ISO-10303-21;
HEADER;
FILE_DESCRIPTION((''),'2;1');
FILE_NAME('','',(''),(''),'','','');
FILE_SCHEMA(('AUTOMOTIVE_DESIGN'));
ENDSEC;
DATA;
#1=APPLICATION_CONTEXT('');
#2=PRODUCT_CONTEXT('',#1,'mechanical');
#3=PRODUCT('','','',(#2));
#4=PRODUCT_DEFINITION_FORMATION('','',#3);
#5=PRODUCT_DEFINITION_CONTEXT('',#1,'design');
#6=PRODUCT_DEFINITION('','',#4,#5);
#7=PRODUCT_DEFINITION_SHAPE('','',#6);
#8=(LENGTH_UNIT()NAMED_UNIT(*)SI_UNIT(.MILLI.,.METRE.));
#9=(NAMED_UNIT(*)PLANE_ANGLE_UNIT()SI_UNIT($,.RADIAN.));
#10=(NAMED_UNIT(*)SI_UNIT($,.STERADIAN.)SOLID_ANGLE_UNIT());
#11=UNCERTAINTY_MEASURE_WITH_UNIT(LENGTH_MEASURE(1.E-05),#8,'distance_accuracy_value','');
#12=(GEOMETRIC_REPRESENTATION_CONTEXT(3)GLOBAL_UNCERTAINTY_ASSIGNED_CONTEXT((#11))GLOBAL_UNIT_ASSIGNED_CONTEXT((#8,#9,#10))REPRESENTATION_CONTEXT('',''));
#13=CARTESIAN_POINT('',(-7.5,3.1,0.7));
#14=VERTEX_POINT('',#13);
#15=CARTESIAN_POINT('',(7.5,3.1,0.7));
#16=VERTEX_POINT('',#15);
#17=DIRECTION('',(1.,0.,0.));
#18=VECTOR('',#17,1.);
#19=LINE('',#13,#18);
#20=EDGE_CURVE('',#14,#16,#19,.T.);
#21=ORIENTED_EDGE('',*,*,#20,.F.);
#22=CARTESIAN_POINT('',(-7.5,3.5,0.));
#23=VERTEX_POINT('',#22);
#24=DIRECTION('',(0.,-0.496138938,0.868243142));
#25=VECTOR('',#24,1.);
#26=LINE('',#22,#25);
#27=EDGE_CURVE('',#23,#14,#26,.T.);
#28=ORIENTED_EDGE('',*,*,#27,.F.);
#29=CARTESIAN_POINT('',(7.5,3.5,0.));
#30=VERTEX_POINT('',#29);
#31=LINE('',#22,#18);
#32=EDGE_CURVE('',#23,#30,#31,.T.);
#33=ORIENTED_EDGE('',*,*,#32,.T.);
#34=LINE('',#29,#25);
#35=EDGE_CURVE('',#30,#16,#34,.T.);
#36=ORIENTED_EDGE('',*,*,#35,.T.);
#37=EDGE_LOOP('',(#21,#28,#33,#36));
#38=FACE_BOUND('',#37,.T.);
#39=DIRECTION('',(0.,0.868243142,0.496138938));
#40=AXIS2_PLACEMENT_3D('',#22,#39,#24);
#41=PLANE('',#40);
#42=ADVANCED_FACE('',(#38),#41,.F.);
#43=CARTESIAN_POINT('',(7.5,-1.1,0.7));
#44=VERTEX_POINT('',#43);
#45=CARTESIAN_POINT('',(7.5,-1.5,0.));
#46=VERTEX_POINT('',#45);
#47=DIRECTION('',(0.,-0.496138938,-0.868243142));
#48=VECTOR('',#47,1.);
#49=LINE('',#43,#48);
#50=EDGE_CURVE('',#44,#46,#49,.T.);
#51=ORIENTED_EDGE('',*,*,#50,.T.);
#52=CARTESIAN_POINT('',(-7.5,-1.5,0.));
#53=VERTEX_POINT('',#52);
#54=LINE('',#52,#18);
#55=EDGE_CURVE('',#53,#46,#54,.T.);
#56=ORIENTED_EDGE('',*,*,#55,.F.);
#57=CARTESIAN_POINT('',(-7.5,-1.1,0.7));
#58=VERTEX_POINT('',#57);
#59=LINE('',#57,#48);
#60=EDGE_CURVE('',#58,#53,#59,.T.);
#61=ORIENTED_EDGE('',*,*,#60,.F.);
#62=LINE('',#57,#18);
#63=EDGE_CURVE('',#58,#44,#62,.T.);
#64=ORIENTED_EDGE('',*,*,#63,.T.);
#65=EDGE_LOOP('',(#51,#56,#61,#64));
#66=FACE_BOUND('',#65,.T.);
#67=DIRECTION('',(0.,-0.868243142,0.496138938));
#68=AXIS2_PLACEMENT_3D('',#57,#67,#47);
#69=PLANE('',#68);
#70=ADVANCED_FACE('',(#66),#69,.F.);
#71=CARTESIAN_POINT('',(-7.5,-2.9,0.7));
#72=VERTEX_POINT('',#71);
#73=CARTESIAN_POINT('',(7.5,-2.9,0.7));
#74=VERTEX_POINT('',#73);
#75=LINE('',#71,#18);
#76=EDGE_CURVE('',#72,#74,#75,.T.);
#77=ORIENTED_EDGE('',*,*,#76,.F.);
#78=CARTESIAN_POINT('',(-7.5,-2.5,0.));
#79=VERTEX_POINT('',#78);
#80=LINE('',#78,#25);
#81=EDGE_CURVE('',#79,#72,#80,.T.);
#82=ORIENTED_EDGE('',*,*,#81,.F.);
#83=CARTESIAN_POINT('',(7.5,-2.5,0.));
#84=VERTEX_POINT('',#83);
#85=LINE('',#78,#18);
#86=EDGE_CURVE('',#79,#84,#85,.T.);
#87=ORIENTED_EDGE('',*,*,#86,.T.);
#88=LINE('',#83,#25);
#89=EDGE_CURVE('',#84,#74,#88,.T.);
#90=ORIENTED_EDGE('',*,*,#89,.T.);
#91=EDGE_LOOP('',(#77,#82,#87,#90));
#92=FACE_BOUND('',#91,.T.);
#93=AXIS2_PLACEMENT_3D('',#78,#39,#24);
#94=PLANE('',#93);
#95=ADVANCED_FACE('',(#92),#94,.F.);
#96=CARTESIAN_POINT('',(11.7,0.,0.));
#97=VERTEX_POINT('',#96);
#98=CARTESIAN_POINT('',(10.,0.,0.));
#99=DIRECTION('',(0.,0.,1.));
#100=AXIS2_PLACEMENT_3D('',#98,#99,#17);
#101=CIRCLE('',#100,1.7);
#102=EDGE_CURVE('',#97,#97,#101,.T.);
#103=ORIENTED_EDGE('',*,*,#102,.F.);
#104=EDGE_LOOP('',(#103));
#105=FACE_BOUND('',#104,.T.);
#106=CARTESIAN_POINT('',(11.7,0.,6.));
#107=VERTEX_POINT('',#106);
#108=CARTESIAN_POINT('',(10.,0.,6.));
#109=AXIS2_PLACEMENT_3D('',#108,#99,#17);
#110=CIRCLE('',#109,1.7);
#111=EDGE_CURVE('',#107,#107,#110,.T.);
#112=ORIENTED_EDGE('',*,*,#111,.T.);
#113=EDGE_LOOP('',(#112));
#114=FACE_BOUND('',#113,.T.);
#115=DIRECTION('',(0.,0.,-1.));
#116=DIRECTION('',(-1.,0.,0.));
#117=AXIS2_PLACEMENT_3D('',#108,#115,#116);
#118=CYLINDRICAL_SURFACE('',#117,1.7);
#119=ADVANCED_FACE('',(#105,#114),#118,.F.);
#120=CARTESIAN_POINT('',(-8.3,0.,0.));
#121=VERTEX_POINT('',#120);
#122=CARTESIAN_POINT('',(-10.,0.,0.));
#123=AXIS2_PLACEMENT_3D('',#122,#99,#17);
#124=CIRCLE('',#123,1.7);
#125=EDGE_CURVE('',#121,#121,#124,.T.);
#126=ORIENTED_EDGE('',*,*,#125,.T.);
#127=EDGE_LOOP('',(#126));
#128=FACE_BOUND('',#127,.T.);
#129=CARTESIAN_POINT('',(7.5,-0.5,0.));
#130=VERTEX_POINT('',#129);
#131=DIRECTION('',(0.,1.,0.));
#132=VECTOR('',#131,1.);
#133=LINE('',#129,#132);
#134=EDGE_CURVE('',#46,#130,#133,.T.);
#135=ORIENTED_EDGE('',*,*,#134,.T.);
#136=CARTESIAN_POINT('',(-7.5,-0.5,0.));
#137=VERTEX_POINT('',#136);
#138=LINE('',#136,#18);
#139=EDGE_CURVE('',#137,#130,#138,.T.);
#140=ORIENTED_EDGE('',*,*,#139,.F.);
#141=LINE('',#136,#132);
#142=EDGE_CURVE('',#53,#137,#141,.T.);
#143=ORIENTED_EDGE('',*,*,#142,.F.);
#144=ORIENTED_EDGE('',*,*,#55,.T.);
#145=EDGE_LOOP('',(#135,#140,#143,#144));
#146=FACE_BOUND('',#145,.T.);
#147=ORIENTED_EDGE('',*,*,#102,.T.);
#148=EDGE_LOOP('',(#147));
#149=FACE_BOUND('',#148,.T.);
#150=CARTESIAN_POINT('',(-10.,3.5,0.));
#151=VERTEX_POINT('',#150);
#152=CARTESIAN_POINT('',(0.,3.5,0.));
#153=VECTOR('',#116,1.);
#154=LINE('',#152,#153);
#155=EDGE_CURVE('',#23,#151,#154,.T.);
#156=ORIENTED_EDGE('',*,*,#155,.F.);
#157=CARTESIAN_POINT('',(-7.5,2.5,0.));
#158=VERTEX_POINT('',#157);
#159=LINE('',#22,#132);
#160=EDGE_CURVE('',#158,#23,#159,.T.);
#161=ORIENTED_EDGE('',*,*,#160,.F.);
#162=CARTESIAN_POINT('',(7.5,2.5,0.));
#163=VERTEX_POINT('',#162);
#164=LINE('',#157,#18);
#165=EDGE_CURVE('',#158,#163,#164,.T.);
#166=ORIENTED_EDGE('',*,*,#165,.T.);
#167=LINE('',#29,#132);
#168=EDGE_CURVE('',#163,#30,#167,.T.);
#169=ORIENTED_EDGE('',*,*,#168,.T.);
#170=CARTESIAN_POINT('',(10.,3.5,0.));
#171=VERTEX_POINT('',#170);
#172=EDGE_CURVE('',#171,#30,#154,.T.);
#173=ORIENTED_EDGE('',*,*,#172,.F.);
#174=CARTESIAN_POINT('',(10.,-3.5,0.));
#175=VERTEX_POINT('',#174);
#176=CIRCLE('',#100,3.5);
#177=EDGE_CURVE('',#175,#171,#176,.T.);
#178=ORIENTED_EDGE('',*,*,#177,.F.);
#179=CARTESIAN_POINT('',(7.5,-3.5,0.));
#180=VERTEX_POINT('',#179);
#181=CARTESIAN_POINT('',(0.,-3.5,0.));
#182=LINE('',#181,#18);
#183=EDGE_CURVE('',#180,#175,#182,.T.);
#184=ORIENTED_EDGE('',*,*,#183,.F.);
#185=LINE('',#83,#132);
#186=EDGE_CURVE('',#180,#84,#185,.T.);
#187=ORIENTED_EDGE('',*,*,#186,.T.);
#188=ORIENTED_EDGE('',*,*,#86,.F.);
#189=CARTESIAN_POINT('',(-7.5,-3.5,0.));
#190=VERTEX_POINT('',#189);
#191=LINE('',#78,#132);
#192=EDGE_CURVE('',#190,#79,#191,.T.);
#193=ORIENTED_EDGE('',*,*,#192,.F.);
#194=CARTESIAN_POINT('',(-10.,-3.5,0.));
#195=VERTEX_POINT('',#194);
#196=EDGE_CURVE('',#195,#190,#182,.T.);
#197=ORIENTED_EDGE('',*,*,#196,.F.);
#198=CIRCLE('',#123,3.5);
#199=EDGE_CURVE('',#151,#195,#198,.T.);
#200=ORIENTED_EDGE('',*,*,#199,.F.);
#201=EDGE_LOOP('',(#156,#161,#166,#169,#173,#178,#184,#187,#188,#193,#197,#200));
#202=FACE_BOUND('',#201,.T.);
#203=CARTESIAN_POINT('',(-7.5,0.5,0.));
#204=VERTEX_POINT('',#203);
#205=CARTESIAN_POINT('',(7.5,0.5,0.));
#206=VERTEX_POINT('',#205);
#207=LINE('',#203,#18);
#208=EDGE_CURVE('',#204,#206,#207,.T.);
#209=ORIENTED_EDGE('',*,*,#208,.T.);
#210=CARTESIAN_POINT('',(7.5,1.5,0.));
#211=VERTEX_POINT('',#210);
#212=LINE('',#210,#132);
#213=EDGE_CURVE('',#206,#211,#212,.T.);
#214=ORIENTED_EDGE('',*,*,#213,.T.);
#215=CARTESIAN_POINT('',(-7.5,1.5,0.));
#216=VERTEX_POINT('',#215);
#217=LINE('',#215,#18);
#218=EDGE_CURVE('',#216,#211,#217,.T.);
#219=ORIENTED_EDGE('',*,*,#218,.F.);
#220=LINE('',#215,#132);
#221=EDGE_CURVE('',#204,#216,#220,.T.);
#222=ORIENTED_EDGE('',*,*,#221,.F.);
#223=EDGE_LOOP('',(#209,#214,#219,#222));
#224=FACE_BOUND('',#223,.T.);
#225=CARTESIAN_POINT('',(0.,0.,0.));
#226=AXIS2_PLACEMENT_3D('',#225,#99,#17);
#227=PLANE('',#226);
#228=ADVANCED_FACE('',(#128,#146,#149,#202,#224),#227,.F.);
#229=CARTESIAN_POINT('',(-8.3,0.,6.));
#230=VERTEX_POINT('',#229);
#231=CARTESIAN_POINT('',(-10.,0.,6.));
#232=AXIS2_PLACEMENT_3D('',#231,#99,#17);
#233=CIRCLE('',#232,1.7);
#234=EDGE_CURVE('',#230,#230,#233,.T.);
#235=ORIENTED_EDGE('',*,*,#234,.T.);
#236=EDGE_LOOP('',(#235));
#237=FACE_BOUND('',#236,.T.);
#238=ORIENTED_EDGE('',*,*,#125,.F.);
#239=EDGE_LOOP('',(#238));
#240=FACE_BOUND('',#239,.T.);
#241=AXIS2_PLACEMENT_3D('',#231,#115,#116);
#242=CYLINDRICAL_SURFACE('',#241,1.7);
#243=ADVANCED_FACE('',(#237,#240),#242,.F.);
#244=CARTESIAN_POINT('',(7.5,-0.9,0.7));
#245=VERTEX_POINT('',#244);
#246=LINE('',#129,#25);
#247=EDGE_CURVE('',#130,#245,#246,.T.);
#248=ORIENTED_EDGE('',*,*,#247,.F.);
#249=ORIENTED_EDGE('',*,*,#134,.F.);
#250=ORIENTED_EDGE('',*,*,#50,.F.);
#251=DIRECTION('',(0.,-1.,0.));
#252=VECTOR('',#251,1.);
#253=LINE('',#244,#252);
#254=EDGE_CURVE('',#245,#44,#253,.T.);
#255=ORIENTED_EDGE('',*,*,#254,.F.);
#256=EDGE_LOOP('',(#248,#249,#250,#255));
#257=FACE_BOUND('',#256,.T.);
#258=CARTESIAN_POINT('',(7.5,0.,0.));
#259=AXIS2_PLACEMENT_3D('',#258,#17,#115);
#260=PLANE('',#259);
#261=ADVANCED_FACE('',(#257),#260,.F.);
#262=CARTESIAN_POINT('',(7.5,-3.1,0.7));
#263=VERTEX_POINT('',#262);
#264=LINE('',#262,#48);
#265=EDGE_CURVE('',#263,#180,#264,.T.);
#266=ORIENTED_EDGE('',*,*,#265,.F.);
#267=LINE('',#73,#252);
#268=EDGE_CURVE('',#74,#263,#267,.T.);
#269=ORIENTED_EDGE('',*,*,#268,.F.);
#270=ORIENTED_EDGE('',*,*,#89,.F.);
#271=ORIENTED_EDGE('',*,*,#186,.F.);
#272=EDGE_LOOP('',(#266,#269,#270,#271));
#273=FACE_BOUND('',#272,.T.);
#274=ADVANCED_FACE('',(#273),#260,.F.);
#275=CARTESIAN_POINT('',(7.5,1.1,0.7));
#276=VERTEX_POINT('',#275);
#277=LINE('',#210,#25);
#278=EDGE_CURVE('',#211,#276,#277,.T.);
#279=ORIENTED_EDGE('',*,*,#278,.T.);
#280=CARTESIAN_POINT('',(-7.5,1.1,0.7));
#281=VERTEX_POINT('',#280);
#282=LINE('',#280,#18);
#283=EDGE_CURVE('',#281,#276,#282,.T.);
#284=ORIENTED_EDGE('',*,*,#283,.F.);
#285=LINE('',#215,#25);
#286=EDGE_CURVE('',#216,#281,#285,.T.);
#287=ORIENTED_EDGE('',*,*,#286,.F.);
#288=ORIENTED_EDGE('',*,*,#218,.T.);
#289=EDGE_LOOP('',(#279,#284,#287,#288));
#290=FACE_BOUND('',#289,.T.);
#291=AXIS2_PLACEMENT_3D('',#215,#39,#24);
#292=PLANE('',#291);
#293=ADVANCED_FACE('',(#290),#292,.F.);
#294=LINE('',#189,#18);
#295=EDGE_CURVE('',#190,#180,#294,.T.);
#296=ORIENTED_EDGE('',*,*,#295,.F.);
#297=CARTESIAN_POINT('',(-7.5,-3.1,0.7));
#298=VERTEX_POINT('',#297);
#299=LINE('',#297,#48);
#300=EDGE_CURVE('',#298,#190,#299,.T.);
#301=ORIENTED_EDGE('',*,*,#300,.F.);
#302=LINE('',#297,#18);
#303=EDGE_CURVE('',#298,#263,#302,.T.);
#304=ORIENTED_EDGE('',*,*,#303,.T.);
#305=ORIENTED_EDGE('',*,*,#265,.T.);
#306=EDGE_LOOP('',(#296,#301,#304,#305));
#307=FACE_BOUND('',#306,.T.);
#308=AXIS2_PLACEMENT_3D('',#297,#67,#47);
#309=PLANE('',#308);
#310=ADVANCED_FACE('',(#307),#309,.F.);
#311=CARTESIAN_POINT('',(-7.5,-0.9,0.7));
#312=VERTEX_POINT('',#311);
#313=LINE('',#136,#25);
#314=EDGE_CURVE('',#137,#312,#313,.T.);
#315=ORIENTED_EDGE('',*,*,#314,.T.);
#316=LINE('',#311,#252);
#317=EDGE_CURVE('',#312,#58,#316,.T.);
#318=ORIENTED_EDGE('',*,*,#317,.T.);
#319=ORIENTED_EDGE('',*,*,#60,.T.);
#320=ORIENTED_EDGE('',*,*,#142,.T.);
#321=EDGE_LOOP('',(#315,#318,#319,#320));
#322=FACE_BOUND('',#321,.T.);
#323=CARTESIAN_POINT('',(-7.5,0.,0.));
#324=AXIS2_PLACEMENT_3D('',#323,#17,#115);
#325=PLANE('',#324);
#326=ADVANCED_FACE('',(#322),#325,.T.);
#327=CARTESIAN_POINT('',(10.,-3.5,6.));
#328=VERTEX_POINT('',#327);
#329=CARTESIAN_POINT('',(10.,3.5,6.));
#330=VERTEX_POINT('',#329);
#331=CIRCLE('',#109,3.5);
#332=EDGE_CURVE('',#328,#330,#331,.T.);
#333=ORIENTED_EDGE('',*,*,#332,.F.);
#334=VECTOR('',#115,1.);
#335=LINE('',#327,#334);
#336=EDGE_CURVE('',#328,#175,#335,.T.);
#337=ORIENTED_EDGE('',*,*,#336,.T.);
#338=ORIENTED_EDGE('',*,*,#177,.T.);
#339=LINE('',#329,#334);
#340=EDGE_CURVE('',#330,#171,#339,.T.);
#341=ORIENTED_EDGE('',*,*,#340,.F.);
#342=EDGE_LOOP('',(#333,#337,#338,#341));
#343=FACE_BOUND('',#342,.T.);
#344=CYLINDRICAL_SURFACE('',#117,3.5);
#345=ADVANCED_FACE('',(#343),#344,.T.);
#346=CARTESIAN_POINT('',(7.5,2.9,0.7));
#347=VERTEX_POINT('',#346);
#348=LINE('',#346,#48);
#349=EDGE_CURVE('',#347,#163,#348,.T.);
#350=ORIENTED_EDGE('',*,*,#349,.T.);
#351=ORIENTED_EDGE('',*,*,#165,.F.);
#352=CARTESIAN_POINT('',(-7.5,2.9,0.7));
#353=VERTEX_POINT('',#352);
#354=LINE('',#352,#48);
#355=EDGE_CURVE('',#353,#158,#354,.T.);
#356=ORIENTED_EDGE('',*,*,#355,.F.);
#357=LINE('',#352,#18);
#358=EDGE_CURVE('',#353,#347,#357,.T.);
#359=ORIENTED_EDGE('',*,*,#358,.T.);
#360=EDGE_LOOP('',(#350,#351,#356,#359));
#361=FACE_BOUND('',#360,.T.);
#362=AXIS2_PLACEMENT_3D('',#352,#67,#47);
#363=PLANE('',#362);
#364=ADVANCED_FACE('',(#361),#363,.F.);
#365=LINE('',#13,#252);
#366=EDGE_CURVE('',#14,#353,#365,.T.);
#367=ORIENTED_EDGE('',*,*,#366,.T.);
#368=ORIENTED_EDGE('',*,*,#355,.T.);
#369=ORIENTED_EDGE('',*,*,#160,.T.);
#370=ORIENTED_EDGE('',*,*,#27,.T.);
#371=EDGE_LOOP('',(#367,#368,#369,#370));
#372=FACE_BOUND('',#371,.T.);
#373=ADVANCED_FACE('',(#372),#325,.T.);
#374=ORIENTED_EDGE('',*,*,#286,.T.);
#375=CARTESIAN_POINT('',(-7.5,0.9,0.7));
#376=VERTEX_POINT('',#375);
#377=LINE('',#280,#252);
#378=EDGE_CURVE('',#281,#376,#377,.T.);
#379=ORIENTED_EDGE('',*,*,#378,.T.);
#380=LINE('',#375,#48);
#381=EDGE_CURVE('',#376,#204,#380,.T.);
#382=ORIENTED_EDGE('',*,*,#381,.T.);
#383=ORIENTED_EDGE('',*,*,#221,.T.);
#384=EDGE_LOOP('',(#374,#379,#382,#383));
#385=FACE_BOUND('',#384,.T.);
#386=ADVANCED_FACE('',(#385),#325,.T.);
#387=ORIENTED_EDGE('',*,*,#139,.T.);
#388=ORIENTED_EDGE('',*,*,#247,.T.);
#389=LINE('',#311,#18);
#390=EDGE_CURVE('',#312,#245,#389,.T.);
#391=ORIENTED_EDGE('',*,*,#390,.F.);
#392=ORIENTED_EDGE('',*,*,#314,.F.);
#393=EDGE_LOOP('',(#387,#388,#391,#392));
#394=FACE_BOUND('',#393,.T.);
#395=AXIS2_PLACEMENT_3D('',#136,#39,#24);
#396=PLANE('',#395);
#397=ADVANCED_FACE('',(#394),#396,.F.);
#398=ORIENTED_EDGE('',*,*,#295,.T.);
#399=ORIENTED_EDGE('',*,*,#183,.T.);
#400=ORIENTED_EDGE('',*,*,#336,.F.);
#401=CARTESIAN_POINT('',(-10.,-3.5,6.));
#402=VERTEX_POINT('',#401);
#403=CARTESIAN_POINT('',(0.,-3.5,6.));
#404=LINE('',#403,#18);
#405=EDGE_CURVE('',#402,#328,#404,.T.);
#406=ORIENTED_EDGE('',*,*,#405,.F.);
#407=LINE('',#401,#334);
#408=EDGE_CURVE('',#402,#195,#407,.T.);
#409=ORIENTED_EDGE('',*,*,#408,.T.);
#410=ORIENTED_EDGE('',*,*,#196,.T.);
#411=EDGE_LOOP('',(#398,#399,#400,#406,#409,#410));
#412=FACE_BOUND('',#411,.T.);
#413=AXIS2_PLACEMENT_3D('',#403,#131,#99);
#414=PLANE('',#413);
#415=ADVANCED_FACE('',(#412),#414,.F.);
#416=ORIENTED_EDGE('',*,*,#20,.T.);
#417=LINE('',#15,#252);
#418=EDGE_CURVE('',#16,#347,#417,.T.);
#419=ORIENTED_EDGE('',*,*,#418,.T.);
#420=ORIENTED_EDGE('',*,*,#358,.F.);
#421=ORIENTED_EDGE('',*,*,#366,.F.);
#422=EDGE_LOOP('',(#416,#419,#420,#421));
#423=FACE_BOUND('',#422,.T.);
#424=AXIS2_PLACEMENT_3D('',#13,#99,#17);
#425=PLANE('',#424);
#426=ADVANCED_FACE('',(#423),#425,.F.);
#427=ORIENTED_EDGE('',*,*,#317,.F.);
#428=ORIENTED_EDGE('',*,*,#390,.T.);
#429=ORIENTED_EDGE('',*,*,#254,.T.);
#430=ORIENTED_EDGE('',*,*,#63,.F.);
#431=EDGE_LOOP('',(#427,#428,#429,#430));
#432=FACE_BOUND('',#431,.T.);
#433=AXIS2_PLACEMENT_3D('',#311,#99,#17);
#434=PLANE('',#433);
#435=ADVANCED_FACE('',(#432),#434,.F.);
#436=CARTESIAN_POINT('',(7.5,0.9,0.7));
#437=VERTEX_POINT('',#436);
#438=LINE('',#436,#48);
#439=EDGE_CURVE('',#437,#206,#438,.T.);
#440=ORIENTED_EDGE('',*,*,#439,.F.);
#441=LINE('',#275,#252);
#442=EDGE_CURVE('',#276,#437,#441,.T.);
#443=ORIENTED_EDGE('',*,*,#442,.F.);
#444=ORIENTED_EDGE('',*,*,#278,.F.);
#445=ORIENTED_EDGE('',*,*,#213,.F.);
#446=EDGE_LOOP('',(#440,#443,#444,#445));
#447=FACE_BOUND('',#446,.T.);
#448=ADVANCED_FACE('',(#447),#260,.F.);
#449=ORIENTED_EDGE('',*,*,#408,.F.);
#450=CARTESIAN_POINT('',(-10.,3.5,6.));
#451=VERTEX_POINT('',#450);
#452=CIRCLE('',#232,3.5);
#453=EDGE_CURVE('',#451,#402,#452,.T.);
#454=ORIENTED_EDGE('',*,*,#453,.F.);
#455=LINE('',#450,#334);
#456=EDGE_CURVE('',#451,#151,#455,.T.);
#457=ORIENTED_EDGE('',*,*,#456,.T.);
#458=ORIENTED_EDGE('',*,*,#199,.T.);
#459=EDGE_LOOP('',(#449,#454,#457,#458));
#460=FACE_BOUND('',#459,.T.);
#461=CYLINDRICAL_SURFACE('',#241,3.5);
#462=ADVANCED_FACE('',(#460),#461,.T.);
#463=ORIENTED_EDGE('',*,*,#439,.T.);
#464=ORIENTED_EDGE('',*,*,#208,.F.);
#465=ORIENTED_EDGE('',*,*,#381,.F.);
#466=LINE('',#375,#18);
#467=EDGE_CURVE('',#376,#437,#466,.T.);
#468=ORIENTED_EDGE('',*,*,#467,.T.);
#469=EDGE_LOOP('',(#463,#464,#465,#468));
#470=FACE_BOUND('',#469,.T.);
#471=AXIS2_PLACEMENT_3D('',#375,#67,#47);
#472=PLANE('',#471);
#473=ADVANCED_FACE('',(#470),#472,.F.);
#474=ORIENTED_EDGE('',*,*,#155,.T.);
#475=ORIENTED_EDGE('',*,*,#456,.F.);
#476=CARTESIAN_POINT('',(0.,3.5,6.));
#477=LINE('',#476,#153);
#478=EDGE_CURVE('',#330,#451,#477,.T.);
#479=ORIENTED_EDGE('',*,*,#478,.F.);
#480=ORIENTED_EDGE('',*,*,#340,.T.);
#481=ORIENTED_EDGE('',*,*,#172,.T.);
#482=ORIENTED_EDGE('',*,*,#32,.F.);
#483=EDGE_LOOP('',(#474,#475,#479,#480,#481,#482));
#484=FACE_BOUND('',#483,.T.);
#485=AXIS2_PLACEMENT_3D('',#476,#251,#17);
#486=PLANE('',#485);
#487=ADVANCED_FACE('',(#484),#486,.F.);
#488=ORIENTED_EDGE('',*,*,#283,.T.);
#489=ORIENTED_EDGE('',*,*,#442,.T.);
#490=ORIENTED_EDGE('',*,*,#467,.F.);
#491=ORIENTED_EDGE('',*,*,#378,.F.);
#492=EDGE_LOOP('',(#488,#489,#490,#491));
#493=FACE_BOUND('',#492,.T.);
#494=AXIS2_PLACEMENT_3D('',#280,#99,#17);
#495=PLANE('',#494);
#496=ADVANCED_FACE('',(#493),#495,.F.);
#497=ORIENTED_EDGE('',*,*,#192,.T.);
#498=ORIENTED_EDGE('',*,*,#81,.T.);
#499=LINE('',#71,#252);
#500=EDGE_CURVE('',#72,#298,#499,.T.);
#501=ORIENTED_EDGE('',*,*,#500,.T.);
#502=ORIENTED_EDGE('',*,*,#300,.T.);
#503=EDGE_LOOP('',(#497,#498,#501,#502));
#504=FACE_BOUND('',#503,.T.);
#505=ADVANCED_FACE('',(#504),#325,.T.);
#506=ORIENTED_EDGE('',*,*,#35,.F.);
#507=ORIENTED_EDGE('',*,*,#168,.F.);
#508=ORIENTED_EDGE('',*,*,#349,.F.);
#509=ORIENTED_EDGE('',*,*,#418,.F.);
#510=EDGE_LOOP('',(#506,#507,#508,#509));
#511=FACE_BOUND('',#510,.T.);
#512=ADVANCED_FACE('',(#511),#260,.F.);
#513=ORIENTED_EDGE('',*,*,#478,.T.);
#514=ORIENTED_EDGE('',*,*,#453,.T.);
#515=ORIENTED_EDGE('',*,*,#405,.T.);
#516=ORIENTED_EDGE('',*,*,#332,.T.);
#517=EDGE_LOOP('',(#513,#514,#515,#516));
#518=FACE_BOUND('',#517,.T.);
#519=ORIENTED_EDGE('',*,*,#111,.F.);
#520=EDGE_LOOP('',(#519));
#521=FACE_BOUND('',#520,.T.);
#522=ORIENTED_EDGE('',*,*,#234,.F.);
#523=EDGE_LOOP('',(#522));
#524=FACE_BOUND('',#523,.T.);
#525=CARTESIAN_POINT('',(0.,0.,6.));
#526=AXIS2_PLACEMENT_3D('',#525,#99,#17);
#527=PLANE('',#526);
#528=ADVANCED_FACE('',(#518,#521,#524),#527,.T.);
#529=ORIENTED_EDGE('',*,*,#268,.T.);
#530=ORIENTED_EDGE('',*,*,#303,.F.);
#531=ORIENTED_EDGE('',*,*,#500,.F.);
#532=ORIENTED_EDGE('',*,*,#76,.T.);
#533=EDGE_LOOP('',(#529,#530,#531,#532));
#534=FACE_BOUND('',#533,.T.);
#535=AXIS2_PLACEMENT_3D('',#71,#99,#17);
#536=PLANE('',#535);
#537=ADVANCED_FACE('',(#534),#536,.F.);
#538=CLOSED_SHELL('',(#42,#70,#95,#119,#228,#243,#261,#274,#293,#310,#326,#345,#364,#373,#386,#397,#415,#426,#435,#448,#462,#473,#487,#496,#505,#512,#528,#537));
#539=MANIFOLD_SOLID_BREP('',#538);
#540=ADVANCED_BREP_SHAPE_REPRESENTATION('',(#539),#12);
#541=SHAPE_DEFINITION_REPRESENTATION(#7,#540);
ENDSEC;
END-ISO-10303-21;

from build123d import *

# Parameters (mm, degrees)
ESBO_O1_R                = 1.7
RESSALTO_EXTRUS_O1_DEPTH = 6
CORTE_EXTRUS_O1_DEPTH    = 7.5


with BuildPart() as part:
    # Esboço1 → Ressalto-extrusão1 (new body)
    with BuildSketch(Plane.XY):
        with BuildLine():
            Line((10, 3.5), (-10, 3.5))
            ThreePointArc((-10, 3.5), (-13.5, 0), (-10, -3.5))
            Line((-10, -3.5), (10, -3.5))
            ThreePointArc((10, -3.5), (13.5, 0), (10, 3.5))
        make_face()
        with Locations((-10, 0)):
            Circle(ESBO_O1_R, mode=Mode.SUBTRACT)
        with Locations((10, 0)):
            Circle(ESBO_O1_R, mode=Mode.SUBTRACT)
    extrude(amount=RESSALTO_EXTRUS_O1_DEPTH)

    # Esboço2 → Corte-extrusão1 (cut, symmetric)
    with BuildSketch(Plane(origin=(0, 0, 0), x_dir=(0, 0, -1), z_dir=(1, 0, 0))):
        Polygon((0, 3.5), (-0.7, 3.1), (-0.7, 2.9), (0, 2.5), align=None)
        Polygon((0, 1.5), (-0.7, 1.1), (-0.7, 0.9), (0, 0.5), align=None)
        Polygon((0, -0.5), (-0.7, -0.9), (-0.7, -1.1), (0, -1.5), align=None)
        Polygon((0, -2.5), (-0.7, -2.9), (-0.7, -3.1), (0, -3.5), align=None)
    extrude(amount=CORTE_EXTRUS_O1_DEPTH, both=True, mode=Mode.SUBTRACT)


solid = part.part
